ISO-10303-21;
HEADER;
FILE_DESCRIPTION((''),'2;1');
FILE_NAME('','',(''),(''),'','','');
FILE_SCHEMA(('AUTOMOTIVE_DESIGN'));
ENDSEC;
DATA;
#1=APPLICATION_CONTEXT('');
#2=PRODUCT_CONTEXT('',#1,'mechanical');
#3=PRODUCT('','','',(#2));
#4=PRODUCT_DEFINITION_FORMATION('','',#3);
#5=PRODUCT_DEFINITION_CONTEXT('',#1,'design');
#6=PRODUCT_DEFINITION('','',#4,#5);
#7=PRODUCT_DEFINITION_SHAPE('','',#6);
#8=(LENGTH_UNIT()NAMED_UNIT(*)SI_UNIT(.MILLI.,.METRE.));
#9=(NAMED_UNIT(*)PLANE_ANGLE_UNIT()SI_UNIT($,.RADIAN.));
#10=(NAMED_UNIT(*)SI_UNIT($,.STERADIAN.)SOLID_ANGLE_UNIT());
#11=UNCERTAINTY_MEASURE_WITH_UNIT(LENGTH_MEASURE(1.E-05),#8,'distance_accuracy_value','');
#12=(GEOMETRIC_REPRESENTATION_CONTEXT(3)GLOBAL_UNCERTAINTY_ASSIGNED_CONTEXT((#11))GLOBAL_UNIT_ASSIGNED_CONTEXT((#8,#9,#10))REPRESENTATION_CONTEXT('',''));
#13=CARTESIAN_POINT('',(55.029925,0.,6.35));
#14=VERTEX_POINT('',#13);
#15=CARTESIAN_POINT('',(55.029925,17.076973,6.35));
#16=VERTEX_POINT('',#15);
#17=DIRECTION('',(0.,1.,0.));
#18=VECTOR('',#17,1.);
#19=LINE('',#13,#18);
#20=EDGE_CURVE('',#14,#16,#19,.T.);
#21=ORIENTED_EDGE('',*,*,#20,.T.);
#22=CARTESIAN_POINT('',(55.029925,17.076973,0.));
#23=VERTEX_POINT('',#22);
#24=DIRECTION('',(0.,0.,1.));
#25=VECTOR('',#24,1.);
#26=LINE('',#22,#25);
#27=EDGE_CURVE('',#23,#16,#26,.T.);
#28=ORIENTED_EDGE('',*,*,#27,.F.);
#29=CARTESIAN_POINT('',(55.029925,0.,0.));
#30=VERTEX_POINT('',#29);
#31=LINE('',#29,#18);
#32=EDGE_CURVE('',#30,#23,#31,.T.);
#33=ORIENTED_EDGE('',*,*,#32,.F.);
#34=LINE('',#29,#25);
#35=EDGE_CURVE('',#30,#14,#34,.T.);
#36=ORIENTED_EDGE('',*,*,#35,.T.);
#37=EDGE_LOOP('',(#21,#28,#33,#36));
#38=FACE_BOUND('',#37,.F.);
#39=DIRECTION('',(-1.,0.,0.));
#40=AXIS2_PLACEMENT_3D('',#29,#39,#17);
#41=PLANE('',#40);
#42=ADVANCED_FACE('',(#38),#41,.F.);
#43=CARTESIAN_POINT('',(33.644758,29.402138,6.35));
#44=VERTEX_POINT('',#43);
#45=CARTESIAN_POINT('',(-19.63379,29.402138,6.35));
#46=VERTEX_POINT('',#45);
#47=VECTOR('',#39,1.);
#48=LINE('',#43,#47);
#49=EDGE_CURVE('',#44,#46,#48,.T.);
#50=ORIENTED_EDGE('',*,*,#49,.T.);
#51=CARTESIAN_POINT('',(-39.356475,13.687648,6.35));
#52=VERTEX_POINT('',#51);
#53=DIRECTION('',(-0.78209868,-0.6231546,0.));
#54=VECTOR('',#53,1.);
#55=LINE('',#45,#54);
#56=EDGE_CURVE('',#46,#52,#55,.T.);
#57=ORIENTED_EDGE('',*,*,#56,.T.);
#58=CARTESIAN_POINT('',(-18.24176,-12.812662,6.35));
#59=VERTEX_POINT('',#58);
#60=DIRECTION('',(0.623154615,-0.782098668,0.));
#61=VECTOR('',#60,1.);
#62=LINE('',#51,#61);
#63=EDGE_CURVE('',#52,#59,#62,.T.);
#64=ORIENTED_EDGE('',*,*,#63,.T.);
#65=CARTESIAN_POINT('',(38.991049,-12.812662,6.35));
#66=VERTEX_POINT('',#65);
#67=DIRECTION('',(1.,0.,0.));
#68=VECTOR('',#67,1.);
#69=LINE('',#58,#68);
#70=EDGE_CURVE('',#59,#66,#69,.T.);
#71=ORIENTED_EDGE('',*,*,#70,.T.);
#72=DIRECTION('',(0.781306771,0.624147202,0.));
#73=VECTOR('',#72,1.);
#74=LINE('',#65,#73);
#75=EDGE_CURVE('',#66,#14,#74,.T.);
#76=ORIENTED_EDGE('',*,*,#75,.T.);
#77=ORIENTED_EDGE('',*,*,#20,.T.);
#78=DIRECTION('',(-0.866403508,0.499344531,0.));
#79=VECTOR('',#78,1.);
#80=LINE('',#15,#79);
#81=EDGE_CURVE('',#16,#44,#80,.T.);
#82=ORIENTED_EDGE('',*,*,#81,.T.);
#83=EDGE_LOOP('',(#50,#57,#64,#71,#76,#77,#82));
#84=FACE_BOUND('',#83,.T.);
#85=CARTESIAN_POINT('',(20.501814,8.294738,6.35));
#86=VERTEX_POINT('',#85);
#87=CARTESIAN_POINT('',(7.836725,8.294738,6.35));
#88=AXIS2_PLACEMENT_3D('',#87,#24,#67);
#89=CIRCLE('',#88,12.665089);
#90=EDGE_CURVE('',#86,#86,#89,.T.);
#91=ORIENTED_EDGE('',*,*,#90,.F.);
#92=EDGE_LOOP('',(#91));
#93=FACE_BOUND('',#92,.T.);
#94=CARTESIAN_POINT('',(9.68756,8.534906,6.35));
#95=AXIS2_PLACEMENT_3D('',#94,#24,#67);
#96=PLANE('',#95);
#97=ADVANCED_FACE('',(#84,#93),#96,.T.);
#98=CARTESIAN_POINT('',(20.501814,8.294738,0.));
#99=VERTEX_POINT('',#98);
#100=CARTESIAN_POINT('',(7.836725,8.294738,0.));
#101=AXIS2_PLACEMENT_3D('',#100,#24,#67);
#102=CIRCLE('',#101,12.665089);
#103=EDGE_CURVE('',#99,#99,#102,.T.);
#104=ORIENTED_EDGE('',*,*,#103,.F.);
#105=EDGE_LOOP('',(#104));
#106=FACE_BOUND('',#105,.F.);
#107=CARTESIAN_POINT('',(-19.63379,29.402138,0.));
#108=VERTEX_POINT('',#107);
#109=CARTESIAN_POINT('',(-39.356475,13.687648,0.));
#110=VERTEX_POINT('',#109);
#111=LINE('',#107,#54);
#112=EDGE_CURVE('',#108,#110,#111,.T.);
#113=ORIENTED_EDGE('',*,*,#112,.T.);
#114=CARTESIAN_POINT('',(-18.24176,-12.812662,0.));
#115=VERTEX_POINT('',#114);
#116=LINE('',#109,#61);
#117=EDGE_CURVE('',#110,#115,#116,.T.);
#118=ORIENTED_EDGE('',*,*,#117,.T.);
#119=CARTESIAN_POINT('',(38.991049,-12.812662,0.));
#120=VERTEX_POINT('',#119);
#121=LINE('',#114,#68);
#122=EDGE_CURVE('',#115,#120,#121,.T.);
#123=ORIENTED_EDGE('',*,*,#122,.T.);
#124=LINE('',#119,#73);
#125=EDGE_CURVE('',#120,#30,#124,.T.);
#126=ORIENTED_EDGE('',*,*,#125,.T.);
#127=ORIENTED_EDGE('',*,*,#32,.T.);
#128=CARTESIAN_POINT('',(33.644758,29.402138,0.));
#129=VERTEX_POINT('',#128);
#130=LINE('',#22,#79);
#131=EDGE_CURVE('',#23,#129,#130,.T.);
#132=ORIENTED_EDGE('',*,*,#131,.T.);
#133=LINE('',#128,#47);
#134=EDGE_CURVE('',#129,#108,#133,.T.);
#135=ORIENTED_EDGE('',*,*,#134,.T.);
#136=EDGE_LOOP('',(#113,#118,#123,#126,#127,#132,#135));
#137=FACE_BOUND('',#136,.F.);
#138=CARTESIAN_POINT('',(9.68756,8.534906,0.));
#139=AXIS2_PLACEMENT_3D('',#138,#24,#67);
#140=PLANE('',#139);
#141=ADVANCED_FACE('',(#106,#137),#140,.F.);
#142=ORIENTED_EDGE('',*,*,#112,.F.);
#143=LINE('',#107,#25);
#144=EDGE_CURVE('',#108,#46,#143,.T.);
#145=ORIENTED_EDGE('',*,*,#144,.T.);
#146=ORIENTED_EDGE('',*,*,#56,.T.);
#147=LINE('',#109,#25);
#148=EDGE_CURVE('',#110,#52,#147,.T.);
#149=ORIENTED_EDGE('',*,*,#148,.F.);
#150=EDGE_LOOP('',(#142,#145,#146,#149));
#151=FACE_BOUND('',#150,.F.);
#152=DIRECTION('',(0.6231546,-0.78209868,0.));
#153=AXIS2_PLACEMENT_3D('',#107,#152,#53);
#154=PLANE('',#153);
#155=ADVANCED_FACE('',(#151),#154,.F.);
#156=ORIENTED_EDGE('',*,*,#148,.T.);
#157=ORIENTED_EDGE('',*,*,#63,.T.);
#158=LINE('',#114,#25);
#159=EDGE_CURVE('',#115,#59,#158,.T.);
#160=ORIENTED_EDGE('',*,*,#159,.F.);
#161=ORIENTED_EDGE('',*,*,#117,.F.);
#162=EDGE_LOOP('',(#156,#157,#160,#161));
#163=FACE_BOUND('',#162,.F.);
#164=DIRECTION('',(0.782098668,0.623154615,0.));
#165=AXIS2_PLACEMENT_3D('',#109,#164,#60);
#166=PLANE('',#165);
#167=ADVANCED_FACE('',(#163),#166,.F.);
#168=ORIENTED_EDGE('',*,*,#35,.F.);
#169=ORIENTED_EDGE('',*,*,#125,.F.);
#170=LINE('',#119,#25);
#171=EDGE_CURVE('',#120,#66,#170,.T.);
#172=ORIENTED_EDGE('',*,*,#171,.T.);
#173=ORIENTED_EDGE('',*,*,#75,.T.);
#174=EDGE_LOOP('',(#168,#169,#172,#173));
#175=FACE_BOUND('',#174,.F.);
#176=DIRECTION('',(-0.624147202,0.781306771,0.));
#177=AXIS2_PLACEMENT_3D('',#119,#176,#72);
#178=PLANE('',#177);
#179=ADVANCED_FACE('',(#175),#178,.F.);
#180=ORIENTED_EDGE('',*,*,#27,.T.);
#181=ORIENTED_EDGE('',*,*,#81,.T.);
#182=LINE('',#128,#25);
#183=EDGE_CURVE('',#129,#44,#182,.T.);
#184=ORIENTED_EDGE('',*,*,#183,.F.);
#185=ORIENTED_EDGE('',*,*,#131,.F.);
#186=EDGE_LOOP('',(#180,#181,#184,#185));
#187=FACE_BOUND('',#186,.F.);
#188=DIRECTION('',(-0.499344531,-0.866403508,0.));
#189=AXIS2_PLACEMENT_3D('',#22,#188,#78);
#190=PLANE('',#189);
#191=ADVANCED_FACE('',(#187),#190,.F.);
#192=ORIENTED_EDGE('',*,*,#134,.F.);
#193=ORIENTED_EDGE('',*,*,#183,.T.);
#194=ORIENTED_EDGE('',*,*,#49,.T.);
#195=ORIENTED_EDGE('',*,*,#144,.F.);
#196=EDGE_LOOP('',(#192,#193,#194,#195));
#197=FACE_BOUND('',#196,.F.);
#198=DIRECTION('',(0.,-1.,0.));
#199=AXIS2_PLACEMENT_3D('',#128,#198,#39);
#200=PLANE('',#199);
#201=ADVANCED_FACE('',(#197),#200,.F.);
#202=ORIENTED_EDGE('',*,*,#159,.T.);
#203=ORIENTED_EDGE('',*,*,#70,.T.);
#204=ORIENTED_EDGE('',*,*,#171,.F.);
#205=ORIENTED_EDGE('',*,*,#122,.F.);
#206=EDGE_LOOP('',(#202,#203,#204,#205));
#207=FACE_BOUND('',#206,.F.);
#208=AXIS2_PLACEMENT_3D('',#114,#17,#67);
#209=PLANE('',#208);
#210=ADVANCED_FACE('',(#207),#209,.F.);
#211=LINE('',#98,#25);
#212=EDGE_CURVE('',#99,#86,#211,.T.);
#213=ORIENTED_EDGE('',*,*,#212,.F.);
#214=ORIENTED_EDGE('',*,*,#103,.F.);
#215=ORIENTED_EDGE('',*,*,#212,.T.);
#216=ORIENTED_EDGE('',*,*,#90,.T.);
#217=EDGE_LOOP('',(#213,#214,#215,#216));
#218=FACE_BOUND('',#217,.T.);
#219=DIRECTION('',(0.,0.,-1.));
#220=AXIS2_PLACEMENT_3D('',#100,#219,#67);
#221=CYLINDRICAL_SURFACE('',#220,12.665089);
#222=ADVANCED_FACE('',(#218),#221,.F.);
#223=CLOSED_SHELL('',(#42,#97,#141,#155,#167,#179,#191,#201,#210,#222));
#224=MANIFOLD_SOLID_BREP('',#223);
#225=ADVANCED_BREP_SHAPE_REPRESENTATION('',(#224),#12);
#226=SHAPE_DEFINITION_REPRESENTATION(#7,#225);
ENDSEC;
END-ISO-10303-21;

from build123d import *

# Parameters (mm, degrees)
F0_R     = 12.665089
F1_DEPTH = 6.35


with BuildPart() as f1:
    # F0 (on Top) → F1 (new body)
    with BuildSketch(Plane.XY):
        Polygon((33.644758, 29.402138), (-19.63379, 29.402138), (-39.356475, 13.687648), (-18.24176, -12.812662), (38.991049, -12.812662), (55.029925, 0), (55.029925, 17.076973), align=None)
        with Locations((7.836725, 8.294738)):
            Circle(F0_R, mode=Mode.SUBTRACT)
    extrude(amount=F1_DEPTH)


solid = f1.part
